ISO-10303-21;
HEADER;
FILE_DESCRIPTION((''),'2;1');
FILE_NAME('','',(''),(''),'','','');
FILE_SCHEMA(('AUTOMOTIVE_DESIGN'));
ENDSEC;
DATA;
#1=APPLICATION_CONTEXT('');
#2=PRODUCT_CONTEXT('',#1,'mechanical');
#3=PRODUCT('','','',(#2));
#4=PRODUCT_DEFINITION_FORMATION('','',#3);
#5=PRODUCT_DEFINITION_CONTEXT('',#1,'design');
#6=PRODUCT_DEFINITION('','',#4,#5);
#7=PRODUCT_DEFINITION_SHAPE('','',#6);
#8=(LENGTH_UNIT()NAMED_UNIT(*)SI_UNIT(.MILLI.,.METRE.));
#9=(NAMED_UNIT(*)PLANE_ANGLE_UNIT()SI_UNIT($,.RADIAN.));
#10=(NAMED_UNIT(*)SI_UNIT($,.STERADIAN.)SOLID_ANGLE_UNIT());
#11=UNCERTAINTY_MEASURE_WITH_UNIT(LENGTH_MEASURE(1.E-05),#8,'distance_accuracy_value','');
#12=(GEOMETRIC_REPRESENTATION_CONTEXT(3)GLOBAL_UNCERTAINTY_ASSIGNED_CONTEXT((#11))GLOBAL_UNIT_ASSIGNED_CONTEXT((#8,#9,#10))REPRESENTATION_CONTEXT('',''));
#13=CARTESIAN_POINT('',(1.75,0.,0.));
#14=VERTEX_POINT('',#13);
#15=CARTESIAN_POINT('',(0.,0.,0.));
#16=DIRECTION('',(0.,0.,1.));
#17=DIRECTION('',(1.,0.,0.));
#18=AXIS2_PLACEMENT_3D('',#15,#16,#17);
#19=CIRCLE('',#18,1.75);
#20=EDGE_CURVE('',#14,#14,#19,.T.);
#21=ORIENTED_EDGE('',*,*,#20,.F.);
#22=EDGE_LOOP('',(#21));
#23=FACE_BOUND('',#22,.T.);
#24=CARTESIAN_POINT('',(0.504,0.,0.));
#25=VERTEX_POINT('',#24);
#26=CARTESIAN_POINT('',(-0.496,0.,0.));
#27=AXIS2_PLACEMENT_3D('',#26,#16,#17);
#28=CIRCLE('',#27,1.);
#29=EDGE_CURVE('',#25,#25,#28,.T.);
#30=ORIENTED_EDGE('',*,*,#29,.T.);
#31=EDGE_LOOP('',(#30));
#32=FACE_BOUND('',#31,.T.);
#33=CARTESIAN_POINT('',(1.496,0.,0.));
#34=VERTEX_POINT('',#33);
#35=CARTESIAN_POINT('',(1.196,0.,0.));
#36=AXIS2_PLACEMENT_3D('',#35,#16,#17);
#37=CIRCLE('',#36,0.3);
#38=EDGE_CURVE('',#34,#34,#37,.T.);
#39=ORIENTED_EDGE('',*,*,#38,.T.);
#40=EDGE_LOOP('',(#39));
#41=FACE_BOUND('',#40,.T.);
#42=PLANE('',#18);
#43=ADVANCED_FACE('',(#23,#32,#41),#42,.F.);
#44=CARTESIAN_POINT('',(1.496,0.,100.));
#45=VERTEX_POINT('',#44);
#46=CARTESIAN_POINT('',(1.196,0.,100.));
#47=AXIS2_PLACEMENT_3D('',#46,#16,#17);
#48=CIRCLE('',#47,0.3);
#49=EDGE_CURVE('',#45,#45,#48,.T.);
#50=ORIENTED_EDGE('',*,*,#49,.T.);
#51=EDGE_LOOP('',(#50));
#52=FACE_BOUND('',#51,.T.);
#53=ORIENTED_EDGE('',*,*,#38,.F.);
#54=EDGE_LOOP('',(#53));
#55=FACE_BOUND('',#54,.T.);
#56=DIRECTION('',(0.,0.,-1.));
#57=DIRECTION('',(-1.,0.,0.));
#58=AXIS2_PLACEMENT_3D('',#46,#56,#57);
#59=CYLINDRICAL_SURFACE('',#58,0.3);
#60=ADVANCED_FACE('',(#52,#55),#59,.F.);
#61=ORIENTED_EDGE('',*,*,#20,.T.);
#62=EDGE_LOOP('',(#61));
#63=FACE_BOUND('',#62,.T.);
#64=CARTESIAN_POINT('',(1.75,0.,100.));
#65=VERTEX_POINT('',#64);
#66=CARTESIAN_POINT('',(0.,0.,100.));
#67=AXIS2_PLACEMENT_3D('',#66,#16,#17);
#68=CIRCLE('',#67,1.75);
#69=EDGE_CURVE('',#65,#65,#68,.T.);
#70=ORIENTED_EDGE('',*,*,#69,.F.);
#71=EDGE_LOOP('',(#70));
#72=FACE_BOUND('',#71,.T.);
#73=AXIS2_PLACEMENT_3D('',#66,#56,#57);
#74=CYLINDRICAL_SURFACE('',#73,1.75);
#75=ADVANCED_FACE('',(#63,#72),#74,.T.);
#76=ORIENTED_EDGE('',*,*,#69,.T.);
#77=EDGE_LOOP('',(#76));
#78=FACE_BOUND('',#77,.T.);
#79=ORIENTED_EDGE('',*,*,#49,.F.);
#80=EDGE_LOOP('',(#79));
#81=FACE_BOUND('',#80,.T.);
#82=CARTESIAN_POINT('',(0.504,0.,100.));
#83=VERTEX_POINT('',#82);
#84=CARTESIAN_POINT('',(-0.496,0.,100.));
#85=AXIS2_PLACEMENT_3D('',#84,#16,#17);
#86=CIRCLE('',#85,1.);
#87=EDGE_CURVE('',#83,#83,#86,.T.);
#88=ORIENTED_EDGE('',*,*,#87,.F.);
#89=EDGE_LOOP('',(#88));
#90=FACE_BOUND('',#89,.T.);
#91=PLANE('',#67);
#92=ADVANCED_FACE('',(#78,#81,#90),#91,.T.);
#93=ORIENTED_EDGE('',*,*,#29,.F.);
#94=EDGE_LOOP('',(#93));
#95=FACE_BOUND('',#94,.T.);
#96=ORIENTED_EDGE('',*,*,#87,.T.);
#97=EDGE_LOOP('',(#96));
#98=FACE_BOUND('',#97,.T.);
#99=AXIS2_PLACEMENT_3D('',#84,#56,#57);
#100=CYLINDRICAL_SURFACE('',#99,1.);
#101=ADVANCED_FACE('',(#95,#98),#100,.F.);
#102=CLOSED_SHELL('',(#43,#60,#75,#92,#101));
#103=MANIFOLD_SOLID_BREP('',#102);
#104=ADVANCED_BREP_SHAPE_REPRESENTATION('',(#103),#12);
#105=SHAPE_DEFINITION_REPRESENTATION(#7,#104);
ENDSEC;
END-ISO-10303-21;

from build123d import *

# Parameters (mm, degrees)
SKETCH1_R           = 1.75
SKETCH1_R_2         = 0.3
SKETCH1_R_3         = 1
BOSS_EXTRUDE1_DEPTH = 100


with BuildPart() as part:
    # Sketch1 → Boss-Extrude1 (new body)
    with BuildSketch(Plane.XY):
        Circle(SKETCH1_R)
        with Locations((1.196, 0)):
            Circle(SKETCH1_R_2, mode=Mode.SUBTRACT)
        with Locations((-0.496, 0)):
            Circle(SKETCH1_R_3, mode=Mode.SUBTRACT)
    extrude(amount=BOSS_EXTRUDE1_DEPTH)


solid = part.part
